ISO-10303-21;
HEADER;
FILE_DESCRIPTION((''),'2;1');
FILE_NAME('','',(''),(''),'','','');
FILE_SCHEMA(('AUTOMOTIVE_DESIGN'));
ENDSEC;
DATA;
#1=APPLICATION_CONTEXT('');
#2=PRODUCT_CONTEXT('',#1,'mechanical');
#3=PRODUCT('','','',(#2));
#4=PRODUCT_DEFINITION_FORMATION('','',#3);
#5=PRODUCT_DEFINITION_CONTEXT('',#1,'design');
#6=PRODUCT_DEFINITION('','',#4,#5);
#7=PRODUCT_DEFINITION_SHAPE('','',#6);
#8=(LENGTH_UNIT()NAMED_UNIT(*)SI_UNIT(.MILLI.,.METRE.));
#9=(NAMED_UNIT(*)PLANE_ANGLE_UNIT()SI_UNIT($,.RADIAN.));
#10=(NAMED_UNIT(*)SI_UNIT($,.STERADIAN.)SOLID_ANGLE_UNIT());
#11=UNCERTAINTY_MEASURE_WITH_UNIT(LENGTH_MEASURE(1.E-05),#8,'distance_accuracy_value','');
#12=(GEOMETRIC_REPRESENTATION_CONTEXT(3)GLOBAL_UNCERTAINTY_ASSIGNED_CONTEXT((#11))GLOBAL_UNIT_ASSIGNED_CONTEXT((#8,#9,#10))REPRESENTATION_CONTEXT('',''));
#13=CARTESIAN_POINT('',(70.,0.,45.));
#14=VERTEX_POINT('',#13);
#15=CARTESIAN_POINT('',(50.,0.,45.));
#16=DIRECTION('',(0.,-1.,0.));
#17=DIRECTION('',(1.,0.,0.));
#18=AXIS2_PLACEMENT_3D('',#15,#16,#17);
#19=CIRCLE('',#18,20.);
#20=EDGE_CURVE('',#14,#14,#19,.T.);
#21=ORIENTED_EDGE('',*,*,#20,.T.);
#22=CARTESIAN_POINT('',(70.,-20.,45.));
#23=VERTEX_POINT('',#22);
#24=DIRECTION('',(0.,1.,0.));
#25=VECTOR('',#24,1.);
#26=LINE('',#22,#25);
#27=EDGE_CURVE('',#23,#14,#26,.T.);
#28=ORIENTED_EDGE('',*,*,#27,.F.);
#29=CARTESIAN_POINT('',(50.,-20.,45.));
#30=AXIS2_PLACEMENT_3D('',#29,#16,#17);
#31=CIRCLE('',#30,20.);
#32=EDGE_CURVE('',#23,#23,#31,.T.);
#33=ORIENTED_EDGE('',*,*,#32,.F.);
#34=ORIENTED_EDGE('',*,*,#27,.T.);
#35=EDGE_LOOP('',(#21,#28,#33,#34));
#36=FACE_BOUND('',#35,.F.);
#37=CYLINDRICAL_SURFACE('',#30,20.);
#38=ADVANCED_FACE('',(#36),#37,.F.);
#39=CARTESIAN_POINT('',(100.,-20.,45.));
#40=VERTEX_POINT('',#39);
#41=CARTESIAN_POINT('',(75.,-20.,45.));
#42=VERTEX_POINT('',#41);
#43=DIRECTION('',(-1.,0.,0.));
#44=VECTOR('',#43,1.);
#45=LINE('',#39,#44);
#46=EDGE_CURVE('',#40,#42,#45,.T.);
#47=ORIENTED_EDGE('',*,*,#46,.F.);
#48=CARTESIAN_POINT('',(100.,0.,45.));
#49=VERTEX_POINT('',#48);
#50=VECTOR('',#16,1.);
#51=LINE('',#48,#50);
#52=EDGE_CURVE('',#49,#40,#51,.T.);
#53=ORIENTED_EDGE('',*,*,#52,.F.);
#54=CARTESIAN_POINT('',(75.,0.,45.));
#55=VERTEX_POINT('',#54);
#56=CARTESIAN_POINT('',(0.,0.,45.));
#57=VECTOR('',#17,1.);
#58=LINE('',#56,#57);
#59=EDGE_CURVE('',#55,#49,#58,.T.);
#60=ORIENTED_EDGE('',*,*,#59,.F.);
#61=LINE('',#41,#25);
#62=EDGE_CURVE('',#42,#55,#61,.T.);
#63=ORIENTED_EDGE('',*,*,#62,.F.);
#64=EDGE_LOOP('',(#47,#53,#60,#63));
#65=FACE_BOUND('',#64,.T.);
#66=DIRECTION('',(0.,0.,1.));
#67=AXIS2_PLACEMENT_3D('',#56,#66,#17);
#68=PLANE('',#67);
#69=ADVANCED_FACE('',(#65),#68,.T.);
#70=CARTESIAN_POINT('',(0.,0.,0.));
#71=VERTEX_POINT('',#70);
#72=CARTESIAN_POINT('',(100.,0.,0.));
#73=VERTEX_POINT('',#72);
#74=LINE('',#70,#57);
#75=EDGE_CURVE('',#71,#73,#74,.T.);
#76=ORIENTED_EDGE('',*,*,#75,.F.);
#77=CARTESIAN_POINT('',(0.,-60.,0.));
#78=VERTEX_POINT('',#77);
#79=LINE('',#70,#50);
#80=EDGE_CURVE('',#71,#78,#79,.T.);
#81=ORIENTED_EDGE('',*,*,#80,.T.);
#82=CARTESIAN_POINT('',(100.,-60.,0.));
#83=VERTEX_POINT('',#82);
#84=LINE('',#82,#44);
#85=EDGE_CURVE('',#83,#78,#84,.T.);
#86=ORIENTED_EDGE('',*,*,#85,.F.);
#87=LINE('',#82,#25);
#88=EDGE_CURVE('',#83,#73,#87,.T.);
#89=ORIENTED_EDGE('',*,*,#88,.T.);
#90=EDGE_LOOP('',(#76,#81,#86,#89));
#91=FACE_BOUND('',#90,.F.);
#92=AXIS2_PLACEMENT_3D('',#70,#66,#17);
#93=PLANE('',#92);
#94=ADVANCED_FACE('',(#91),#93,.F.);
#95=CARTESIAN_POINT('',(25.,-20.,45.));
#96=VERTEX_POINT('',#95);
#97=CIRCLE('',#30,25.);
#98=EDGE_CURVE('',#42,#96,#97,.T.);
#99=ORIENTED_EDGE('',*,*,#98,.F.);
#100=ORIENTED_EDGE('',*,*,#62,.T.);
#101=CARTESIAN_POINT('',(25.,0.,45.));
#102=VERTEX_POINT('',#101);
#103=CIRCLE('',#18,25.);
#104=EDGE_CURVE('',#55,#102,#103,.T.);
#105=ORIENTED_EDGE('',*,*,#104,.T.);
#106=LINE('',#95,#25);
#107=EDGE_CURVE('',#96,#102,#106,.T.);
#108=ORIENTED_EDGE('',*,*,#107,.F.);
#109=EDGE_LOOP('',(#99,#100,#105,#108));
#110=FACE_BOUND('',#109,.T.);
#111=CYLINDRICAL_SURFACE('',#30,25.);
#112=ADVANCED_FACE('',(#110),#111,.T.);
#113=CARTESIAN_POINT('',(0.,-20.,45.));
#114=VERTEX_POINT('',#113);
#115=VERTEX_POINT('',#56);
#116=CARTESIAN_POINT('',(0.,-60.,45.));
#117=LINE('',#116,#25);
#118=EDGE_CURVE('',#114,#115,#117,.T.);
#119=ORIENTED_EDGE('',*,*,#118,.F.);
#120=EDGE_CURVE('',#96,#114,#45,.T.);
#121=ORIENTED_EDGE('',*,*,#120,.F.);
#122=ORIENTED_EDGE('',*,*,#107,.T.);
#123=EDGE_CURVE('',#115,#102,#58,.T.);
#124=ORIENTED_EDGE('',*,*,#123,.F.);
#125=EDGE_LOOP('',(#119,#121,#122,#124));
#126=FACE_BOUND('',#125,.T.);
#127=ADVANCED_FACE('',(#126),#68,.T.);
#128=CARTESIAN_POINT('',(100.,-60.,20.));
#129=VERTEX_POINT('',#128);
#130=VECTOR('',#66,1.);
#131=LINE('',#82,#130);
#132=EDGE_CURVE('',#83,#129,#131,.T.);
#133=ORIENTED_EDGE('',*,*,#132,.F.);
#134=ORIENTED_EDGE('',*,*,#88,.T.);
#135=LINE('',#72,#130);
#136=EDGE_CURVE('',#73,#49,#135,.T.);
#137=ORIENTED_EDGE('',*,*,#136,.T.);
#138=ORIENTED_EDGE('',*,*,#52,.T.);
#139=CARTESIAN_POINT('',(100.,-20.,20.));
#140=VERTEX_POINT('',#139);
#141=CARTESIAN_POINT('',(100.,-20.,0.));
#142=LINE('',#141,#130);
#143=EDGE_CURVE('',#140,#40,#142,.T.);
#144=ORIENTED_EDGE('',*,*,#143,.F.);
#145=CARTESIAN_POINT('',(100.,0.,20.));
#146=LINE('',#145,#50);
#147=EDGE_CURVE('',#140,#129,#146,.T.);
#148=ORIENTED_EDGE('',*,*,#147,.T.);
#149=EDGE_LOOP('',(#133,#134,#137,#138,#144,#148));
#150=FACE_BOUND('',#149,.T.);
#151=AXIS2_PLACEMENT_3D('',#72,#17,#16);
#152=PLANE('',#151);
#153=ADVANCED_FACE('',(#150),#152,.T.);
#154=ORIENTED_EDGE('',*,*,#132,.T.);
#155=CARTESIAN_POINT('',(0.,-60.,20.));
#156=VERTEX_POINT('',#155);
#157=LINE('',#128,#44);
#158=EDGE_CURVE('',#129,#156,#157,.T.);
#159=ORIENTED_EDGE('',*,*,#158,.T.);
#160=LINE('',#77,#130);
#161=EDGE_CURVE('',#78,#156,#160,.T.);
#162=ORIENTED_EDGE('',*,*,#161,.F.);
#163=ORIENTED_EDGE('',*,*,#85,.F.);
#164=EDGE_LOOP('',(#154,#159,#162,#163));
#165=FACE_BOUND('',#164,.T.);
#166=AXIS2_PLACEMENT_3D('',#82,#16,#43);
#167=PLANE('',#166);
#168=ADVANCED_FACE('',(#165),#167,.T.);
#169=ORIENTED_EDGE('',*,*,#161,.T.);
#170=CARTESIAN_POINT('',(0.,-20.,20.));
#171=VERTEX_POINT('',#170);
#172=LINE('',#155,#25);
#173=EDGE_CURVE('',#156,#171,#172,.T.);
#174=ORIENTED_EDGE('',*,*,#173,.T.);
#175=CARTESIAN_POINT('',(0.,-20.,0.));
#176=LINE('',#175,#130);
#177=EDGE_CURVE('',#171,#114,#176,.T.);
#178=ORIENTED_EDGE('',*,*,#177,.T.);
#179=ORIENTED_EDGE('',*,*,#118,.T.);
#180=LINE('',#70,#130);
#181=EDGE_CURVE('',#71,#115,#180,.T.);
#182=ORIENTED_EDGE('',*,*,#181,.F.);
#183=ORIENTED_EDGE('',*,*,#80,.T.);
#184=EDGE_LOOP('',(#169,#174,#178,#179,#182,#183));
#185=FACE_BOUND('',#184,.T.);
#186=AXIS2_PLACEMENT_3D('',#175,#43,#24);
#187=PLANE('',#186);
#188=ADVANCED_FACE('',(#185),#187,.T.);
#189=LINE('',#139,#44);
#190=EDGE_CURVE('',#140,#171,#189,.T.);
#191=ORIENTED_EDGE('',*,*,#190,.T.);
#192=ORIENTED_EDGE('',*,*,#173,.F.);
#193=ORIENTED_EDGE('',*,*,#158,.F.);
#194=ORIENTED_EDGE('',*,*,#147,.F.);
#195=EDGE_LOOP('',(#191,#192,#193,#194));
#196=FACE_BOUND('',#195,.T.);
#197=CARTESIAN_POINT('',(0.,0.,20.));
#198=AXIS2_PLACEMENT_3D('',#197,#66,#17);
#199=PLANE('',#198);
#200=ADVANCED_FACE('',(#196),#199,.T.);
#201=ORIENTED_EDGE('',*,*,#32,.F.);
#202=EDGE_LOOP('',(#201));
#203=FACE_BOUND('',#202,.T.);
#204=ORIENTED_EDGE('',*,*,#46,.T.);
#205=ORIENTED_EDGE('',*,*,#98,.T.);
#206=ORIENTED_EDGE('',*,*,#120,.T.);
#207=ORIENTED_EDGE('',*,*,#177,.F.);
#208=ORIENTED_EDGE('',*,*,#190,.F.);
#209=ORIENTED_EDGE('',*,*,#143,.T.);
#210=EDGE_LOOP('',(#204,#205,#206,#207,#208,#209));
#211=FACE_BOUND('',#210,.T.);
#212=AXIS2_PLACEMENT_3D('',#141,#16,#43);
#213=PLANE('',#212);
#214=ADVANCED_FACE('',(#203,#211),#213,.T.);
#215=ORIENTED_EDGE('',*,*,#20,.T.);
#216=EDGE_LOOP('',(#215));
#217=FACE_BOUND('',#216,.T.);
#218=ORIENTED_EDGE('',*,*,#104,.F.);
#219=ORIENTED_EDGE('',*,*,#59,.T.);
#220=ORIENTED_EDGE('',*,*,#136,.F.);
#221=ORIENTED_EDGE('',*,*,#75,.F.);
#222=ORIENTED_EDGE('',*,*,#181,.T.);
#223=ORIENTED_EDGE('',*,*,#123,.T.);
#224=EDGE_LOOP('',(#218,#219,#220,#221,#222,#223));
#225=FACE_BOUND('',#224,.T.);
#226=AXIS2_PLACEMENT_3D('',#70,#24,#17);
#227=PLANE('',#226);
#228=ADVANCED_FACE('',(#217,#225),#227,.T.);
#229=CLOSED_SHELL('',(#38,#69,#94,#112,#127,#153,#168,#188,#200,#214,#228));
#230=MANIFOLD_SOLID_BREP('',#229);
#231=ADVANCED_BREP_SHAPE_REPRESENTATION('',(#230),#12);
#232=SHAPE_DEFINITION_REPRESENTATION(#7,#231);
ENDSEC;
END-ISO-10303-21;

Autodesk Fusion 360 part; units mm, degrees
sketch "Sketch1" plane through (0, 0, 0) normal (0, 0, 1) x (1, 0, 0)
  line L0 (0, 0) -> (100, 0)
  line L1 (100, -20) -> (0, -20)
  line L2 (100, 0) -> (100, -60)
  line L3 (100, -60) -> (0, -60)
  line L4 (0, -60) -> (0, 0)
  dimension "d1" = 20
  dimension "d2" = 100
extrude "Extrude1" add sketch "Sketch1" along normal blind 45 contours L0 L1 L2 L4
extrude "Extrude2" add sketch "Sketch1" along normal blind 20 contours L1 L2 L3 L4
sketch "Sketch2" plane through (0, -20, 0) normal (0, -1, 0) x (1, 0, 0)
  line L0 (0, 20) -> (100, 20)
  line L1 (100, 20) -> (100, 45)
  line L2 (100, 45) -> (0, 45)
  line L3 (0, 45) -> (0, 20)
  line L4 (50, 10) -> (50, 86.1484) construction
  line L5 (15.2058, 45) -> (84.7942, 45) construction
  circle A0 centre (50, 45) radius 25
  circle A1 centre (50, 45) radius 20
  dimension "d8" = 50
  dimension "d9" = 40
  dimension "d10" = 50
extrude "Extrude3" add sketch "Sketch2" against normal up to surface (20 mm away) contours L2 A0 A1 picked at (26.7597, 46.242)
extrude "Extrude4" cut sketch "Sketch2" against normal up to surface (20 mm away) contours L2 A1 picked at (49.5018, 38.352)
equation "d8 = ( 25 * 2 ) * 1 mm"
